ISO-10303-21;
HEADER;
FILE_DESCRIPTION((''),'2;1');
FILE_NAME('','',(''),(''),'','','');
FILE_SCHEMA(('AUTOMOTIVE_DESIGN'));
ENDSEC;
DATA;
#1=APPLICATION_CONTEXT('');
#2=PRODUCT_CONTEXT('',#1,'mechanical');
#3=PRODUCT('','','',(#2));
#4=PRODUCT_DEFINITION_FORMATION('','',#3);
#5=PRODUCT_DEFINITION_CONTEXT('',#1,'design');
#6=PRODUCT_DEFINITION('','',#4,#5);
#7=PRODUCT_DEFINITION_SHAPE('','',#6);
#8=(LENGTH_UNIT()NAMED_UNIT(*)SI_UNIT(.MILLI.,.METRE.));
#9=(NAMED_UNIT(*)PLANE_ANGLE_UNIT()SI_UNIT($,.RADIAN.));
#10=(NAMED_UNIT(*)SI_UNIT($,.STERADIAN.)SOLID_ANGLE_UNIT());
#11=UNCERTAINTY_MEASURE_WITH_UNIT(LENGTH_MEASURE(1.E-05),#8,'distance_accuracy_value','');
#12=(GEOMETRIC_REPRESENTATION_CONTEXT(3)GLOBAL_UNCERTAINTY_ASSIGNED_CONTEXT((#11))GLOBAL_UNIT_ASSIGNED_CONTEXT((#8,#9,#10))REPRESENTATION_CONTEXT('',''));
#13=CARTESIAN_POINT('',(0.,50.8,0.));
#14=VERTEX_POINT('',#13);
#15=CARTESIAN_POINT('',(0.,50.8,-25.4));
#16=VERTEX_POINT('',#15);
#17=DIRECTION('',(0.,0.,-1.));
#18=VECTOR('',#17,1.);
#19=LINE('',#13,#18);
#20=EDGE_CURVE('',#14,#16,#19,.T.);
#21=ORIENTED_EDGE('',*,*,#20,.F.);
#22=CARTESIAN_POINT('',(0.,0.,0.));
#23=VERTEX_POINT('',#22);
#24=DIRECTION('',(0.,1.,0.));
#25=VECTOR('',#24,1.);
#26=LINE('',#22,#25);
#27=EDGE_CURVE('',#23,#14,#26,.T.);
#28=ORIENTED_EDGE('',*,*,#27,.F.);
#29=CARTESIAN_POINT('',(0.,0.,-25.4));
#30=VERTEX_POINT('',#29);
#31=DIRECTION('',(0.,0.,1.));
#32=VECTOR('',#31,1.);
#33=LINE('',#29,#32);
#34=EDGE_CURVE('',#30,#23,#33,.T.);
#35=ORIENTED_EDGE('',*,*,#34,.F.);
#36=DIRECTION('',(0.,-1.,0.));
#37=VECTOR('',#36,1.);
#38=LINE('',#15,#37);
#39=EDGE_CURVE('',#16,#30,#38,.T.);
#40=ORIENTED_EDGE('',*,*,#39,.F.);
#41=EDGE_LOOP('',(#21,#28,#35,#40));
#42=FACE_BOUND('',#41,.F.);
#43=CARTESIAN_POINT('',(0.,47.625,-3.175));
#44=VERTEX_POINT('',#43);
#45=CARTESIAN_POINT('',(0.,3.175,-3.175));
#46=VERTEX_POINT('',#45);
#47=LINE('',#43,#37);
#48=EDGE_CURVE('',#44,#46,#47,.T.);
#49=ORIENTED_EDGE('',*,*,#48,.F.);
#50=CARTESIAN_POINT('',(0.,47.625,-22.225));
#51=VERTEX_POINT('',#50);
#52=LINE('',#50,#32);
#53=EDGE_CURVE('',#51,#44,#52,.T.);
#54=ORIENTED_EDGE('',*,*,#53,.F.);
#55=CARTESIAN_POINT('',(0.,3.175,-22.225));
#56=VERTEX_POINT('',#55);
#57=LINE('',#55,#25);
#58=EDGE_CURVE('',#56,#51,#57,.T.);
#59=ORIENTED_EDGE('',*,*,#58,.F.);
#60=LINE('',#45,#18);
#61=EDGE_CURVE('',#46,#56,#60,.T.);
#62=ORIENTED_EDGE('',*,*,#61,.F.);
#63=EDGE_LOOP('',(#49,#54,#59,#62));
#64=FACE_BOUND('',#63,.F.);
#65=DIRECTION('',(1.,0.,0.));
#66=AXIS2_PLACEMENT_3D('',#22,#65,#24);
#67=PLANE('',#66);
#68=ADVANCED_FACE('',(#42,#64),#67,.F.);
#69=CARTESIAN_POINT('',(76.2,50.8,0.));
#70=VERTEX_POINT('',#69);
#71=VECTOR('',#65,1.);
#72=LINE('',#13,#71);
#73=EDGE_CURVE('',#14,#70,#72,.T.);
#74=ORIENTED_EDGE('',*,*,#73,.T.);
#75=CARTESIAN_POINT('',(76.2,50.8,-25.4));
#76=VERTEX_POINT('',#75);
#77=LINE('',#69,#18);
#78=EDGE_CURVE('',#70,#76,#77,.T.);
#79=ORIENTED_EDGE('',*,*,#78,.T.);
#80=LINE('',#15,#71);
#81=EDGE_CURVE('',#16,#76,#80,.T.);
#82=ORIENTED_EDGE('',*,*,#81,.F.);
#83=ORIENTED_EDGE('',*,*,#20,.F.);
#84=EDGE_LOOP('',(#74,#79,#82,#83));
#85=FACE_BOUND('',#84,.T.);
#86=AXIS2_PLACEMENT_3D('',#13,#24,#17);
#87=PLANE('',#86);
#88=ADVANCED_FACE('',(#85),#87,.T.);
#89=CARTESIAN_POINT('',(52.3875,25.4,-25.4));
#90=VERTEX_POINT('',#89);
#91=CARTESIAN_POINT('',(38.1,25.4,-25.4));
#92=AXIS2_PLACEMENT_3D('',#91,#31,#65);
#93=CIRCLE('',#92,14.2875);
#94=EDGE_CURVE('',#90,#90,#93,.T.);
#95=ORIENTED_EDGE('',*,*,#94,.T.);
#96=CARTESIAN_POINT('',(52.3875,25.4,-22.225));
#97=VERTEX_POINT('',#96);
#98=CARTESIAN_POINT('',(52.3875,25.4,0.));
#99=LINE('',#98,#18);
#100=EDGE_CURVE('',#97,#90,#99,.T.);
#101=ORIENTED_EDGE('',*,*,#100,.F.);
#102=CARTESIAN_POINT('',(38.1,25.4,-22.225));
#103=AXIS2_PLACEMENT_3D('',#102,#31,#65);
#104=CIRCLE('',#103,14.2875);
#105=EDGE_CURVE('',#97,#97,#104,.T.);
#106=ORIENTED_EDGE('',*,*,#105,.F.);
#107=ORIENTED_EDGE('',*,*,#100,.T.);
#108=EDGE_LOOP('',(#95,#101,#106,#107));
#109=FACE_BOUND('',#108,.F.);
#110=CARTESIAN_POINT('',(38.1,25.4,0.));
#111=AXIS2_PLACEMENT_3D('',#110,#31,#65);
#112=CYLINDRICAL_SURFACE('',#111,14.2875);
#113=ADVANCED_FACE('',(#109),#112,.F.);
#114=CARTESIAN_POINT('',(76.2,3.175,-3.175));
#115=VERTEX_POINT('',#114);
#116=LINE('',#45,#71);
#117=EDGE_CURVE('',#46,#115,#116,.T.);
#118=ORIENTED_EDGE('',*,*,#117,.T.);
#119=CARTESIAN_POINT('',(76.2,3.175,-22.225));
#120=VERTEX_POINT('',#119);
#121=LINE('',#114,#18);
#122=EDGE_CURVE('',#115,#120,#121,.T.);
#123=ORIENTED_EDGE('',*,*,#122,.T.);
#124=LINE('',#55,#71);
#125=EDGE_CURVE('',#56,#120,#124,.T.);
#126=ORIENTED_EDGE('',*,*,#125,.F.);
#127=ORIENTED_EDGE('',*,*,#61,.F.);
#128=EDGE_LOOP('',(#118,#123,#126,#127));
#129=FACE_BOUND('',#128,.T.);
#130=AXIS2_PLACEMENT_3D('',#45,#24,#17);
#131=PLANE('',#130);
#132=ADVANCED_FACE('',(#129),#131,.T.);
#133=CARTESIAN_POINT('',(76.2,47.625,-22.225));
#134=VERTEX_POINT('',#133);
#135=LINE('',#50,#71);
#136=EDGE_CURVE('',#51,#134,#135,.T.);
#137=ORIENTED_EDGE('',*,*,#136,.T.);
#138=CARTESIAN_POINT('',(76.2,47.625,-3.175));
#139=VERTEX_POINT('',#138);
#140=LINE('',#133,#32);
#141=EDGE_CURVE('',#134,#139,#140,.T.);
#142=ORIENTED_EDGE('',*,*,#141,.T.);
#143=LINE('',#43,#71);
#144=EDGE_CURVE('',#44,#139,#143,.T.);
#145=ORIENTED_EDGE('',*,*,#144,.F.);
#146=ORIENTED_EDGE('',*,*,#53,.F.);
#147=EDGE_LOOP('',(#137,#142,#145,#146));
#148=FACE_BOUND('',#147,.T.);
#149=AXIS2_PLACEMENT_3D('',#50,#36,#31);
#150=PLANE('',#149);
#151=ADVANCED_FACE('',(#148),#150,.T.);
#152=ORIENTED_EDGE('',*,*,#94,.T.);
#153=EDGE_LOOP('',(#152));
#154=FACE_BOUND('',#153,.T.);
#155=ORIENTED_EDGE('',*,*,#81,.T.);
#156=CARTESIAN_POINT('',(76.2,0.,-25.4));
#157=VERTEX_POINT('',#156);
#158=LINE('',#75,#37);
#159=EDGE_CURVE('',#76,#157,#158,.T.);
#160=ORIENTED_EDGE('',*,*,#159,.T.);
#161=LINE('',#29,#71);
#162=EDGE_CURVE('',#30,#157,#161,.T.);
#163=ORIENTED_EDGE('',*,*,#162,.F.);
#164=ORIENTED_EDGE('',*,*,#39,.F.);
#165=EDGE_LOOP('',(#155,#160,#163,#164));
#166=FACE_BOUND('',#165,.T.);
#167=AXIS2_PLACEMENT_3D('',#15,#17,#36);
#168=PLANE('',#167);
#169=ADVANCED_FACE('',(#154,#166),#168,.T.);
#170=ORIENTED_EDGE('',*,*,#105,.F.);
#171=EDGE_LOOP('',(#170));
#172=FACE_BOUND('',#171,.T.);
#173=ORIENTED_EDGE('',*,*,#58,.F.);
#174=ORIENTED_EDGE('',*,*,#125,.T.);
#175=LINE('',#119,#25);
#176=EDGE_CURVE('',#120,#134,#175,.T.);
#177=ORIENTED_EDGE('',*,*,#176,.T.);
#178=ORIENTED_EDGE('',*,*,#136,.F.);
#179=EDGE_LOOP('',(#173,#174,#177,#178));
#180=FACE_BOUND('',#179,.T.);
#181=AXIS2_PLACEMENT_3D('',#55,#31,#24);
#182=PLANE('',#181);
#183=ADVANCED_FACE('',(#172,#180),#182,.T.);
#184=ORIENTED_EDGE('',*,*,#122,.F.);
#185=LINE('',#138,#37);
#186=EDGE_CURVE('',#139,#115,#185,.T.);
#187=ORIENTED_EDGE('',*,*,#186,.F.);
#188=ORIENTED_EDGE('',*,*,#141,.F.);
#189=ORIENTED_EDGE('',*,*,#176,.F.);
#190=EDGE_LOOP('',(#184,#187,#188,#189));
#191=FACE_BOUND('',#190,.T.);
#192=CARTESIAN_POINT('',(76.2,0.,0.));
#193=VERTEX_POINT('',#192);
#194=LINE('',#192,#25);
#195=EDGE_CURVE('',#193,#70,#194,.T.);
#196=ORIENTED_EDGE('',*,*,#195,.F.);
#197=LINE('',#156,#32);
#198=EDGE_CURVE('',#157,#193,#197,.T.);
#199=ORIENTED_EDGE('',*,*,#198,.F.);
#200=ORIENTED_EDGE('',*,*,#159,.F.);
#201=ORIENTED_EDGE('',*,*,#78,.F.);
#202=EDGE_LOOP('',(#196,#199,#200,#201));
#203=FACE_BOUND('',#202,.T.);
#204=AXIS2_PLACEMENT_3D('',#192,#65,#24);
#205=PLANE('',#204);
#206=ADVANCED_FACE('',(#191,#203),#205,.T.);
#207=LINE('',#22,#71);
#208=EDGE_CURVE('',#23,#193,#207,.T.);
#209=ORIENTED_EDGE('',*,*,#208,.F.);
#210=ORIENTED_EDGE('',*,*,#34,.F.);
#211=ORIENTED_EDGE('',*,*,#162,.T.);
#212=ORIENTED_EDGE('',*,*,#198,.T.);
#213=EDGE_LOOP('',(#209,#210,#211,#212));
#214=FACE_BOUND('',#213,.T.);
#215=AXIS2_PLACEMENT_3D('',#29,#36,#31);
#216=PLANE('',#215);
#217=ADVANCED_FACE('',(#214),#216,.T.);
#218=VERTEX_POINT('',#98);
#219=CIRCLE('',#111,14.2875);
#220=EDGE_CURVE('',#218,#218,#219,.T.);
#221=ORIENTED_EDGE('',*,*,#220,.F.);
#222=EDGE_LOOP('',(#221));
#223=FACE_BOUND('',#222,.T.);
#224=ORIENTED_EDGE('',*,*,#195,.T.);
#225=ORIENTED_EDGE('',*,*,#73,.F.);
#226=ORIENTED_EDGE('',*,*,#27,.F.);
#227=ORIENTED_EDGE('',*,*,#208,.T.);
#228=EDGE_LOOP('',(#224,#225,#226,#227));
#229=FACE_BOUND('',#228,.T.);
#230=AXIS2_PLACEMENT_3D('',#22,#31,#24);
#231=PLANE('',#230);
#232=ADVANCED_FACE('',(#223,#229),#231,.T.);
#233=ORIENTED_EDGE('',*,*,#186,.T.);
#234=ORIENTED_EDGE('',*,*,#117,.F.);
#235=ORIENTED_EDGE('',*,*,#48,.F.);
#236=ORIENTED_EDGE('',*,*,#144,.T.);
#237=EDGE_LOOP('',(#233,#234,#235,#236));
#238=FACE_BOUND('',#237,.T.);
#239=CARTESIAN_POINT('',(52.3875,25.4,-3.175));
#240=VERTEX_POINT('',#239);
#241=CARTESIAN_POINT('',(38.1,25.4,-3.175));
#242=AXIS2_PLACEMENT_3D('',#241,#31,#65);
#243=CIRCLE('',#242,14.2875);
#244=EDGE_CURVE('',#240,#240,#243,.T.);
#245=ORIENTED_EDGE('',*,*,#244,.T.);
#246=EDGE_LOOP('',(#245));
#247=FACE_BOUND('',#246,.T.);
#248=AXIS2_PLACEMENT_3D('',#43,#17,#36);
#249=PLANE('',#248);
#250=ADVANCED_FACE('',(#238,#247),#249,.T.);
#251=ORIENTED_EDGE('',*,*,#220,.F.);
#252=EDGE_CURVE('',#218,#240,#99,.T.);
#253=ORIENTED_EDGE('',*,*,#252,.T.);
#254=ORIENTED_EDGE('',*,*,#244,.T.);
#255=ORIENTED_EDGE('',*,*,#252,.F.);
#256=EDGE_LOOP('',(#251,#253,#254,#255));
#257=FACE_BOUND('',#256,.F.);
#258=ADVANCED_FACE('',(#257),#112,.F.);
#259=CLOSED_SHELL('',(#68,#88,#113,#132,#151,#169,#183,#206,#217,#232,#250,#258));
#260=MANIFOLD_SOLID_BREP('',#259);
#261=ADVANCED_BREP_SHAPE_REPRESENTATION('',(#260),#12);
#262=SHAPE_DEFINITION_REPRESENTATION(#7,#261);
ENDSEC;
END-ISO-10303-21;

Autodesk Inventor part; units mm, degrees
ref_plane "YZ Plane" through (0, 0, 0) normal (1, 0, 0) x (0, 1, 0)
ref_plane "XZ Plane" through (0, 0, 0) normal (0, 1, 0) x (-1, 0, 0)
ref_plane "XY Plane" through (0, 0, 0) normal (0, 0, 1) x (1, 0, 0)
sketch "Sketch1" plane through (0, 0, 0) normal (1, 0, 0) x (0, 1, 0)
  line L0 (0, 0) -> (50.8, 0)
  line L1 (50.8, 0) -> (50.8, -25.4)
  line L2 (50.8, -25.4) -> (0, -25.4)
  line L3 (0, -25.4) -> (0, 0)
  line L4 (47.625, -22.225) -> (47.625, -3.175)
  line L5 (47.625, -3.175) -> (3.175, -3.175)
  line L6 (3.175, -3.175) -> (3.175, -22.225)
  line L7 (3.175, -22.225) -> (47.625, -22.225)
  dimension "d0" = 50.8
  dimension "d1" = 25.4
  dimension "d2" = 3.175
extrude "Extrusion1" add sketch "Sketch1" along normal blind 76.2
sketch "Sketch2" plane through (0, 0, 0) normal (0, 0, 1) x (1, 0, 0)
  circle A0 centre (38.1, 25.4) radius 14.2875
  point P0 (0, 0)
  dimension "d5" = 28.575
extrude "Extrusion2" cut sketch "Sketch2" against normal blind 76.2
properties part number "liftaxelbar"
